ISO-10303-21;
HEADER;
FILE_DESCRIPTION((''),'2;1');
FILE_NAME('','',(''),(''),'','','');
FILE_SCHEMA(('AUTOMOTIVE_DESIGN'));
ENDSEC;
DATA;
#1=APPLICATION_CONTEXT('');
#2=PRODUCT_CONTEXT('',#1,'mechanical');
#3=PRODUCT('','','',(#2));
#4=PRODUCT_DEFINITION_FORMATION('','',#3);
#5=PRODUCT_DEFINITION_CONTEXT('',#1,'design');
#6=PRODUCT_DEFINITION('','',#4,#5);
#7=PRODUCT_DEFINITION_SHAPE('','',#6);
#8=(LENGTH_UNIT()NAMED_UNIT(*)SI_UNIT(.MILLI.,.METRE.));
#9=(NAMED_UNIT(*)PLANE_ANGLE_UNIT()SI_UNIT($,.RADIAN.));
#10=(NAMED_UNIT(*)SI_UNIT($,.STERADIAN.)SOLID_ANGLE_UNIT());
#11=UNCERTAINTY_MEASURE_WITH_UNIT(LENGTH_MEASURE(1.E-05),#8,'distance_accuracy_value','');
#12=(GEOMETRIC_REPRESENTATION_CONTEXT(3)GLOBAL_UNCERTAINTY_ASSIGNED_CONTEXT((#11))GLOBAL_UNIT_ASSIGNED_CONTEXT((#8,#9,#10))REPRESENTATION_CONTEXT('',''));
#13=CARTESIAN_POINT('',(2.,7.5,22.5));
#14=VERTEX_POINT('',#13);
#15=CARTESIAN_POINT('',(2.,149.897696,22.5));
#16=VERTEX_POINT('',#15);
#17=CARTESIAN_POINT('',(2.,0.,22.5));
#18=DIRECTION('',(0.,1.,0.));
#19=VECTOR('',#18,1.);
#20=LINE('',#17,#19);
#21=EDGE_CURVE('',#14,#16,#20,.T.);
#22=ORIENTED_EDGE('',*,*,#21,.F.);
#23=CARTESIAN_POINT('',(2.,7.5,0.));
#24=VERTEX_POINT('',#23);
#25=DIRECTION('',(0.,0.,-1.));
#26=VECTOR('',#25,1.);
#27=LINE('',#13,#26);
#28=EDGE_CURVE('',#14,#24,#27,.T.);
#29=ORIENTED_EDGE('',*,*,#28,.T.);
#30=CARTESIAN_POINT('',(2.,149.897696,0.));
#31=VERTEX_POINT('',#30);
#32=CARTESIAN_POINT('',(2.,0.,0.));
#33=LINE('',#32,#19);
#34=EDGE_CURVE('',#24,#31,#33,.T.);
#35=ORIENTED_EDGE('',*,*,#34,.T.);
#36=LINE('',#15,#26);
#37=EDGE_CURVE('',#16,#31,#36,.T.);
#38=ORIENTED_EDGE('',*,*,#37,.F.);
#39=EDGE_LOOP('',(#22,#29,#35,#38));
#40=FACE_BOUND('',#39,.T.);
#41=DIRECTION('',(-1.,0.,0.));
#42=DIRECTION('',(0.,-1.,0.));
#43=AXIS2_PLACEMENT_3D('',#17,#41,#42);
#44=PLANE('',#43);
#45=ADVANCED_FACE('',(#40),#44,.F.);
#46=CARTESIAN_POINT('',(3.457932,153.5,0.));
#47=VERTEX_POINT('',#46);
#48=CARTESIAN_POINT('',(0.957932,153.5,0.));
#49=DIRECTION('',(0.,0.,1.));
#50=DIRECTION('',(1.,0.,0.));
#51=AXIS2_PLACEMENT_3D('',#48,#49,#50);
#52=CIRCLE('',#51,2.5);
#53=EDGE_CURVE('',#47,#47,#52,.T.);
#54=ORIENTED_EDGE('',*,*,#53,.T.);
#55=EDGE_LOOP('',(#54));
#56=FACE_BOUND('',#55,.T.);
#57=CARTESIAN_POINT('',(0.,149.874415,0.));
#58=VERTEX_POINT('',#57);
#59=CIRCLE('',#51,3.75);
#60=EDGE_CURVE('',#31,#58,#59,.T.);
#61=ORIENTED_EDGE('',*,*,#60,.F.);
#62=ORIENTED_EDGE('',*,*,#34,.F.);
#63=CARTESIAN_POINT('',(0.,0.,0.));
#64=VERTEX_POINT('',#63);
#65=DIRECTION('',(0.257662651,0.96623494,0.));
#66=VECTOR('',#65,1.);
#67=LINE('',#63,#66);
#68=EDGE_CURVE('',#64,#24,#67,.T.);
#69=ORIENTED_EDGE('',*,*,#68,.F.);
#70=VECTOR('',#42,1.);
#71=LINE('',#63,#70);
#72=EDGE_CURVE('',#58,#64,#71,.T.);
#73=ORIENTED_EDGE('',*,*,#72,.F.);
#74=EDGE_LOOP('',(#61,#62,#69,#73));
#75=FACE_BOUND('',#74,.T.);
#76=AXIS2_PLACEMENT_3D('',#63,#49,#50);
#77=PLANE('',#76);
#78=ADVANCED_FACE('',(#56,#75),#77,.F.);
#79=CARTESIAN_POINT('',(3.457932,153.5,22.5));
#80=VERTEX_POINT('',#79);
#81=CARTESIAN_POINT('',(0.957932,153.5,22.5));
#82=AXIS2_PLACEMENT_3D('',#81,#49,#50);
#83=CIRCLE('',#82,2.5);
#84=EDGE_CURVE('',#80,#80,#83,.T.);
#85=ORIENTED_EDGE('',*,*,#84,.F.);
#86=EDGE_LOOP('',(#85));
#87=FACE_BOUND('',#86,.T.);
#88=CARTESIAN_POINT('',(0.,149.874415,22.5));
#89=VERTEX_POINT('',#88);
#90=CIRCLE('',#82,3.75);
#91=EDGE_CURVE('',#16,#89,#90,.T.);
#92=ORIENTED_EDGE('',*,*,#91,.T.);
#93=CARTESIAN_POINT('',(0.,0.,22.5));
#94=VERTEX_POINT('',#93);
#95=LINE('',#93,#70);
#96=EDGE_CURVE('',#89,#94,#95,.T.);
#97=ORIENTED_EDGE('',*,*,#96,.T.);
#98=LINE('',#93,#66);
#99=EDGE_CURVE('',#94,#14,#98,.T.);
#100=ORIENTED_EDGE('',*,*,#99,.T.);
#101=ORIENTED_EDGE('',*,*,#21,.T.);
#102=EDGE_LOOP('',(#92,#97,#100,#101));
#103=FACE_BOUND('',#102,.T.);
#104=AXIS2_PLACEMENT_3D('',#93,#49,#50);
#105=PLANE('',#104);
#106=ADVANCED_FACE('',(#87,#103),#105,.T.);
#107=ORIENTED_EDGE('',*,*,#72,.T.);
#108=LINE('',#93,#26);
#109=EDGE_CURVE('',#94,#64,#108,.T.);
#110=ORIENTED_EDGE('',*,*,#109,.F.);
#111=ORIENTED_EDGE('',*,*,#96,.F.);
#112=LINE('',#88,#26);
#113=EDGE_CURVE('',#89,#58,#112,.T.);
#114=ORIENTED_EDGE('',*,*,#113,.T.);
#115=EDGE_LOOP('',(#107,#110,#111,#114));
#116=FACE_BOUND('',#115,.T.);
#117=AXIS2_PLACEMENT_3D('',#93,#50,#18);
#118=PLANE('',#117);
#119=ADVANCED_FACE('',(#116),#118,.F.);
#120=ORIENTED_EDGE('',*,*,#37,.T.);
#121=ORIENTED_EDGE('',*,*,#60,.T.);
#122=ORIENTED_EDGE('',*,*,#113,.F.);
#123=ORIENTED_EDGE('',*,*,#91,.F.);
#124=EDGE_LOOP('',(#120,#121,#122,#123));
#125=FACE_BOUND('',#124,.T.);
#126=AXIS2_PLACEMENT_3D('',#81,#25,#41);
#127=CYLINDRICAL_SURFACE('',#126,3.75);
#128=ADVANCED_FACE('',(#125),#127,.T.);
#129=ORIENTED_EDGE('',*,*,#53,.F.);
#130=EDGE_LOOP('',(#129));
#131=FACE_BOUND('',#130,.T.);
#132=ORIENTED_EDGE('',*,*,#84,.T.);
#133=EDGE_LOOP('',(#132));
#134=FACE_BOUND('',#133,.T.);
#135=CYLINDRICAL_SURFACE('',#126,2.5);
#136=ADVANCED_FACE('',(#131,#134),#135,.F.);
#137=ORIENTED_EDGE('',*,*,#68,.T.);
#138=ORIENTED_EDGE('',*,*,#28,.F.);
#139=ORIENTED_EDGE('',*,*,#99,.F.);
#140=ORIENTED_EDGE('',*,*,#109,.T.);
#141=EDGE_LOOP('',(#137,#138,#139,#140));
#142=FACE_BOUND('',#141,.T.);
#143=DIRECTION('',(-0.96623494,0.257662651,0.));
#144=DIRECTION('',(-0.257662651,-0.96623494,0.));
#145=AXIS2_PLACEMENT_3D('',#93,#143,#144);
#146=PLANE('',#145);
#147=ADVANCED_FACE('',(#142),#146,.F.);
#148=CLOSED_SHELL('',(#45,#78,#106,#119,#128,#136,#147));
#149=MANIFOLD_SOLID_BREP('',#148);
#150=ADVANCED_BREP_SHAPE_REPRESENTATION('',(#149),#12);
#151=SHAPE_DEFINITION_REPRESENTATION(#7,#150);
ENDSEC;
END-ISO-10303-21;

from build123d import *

# Parameters (mm, degrees)
CROQUIS1_R              = 3.75
CROQUIS1_R_2            = 2.5
SALIENTE_EXTRUIR1_DEPTH = 22.5


with BuildPart() as part:
    # Croquis1 → Saliente-Extruir1 (new body)
    with BuildSketch(Plane.XY):
        with Locations((0.957931978, 153.5)):
            Circle(CROQUIS1_R)
        with Locations((0.957931978, 153.5)):
            Circle(CROQUIS1_R_2, mode=Mode.SUBTRACT)
        with BuildLine():
            ThreePointArc((2, 149.897695982), (1.001580793, 149.750254038), (0, 149.874415037))
            Line((0, 149.874415037), (0, 0))
            Line((0, 0), (2, 7.5))
            Line((2, 7.5), (2, 149.897695982))
        make_face()
    extrude(amount=SALIENTE_EXTRUIR1_DEPTH)


solid = part.part
